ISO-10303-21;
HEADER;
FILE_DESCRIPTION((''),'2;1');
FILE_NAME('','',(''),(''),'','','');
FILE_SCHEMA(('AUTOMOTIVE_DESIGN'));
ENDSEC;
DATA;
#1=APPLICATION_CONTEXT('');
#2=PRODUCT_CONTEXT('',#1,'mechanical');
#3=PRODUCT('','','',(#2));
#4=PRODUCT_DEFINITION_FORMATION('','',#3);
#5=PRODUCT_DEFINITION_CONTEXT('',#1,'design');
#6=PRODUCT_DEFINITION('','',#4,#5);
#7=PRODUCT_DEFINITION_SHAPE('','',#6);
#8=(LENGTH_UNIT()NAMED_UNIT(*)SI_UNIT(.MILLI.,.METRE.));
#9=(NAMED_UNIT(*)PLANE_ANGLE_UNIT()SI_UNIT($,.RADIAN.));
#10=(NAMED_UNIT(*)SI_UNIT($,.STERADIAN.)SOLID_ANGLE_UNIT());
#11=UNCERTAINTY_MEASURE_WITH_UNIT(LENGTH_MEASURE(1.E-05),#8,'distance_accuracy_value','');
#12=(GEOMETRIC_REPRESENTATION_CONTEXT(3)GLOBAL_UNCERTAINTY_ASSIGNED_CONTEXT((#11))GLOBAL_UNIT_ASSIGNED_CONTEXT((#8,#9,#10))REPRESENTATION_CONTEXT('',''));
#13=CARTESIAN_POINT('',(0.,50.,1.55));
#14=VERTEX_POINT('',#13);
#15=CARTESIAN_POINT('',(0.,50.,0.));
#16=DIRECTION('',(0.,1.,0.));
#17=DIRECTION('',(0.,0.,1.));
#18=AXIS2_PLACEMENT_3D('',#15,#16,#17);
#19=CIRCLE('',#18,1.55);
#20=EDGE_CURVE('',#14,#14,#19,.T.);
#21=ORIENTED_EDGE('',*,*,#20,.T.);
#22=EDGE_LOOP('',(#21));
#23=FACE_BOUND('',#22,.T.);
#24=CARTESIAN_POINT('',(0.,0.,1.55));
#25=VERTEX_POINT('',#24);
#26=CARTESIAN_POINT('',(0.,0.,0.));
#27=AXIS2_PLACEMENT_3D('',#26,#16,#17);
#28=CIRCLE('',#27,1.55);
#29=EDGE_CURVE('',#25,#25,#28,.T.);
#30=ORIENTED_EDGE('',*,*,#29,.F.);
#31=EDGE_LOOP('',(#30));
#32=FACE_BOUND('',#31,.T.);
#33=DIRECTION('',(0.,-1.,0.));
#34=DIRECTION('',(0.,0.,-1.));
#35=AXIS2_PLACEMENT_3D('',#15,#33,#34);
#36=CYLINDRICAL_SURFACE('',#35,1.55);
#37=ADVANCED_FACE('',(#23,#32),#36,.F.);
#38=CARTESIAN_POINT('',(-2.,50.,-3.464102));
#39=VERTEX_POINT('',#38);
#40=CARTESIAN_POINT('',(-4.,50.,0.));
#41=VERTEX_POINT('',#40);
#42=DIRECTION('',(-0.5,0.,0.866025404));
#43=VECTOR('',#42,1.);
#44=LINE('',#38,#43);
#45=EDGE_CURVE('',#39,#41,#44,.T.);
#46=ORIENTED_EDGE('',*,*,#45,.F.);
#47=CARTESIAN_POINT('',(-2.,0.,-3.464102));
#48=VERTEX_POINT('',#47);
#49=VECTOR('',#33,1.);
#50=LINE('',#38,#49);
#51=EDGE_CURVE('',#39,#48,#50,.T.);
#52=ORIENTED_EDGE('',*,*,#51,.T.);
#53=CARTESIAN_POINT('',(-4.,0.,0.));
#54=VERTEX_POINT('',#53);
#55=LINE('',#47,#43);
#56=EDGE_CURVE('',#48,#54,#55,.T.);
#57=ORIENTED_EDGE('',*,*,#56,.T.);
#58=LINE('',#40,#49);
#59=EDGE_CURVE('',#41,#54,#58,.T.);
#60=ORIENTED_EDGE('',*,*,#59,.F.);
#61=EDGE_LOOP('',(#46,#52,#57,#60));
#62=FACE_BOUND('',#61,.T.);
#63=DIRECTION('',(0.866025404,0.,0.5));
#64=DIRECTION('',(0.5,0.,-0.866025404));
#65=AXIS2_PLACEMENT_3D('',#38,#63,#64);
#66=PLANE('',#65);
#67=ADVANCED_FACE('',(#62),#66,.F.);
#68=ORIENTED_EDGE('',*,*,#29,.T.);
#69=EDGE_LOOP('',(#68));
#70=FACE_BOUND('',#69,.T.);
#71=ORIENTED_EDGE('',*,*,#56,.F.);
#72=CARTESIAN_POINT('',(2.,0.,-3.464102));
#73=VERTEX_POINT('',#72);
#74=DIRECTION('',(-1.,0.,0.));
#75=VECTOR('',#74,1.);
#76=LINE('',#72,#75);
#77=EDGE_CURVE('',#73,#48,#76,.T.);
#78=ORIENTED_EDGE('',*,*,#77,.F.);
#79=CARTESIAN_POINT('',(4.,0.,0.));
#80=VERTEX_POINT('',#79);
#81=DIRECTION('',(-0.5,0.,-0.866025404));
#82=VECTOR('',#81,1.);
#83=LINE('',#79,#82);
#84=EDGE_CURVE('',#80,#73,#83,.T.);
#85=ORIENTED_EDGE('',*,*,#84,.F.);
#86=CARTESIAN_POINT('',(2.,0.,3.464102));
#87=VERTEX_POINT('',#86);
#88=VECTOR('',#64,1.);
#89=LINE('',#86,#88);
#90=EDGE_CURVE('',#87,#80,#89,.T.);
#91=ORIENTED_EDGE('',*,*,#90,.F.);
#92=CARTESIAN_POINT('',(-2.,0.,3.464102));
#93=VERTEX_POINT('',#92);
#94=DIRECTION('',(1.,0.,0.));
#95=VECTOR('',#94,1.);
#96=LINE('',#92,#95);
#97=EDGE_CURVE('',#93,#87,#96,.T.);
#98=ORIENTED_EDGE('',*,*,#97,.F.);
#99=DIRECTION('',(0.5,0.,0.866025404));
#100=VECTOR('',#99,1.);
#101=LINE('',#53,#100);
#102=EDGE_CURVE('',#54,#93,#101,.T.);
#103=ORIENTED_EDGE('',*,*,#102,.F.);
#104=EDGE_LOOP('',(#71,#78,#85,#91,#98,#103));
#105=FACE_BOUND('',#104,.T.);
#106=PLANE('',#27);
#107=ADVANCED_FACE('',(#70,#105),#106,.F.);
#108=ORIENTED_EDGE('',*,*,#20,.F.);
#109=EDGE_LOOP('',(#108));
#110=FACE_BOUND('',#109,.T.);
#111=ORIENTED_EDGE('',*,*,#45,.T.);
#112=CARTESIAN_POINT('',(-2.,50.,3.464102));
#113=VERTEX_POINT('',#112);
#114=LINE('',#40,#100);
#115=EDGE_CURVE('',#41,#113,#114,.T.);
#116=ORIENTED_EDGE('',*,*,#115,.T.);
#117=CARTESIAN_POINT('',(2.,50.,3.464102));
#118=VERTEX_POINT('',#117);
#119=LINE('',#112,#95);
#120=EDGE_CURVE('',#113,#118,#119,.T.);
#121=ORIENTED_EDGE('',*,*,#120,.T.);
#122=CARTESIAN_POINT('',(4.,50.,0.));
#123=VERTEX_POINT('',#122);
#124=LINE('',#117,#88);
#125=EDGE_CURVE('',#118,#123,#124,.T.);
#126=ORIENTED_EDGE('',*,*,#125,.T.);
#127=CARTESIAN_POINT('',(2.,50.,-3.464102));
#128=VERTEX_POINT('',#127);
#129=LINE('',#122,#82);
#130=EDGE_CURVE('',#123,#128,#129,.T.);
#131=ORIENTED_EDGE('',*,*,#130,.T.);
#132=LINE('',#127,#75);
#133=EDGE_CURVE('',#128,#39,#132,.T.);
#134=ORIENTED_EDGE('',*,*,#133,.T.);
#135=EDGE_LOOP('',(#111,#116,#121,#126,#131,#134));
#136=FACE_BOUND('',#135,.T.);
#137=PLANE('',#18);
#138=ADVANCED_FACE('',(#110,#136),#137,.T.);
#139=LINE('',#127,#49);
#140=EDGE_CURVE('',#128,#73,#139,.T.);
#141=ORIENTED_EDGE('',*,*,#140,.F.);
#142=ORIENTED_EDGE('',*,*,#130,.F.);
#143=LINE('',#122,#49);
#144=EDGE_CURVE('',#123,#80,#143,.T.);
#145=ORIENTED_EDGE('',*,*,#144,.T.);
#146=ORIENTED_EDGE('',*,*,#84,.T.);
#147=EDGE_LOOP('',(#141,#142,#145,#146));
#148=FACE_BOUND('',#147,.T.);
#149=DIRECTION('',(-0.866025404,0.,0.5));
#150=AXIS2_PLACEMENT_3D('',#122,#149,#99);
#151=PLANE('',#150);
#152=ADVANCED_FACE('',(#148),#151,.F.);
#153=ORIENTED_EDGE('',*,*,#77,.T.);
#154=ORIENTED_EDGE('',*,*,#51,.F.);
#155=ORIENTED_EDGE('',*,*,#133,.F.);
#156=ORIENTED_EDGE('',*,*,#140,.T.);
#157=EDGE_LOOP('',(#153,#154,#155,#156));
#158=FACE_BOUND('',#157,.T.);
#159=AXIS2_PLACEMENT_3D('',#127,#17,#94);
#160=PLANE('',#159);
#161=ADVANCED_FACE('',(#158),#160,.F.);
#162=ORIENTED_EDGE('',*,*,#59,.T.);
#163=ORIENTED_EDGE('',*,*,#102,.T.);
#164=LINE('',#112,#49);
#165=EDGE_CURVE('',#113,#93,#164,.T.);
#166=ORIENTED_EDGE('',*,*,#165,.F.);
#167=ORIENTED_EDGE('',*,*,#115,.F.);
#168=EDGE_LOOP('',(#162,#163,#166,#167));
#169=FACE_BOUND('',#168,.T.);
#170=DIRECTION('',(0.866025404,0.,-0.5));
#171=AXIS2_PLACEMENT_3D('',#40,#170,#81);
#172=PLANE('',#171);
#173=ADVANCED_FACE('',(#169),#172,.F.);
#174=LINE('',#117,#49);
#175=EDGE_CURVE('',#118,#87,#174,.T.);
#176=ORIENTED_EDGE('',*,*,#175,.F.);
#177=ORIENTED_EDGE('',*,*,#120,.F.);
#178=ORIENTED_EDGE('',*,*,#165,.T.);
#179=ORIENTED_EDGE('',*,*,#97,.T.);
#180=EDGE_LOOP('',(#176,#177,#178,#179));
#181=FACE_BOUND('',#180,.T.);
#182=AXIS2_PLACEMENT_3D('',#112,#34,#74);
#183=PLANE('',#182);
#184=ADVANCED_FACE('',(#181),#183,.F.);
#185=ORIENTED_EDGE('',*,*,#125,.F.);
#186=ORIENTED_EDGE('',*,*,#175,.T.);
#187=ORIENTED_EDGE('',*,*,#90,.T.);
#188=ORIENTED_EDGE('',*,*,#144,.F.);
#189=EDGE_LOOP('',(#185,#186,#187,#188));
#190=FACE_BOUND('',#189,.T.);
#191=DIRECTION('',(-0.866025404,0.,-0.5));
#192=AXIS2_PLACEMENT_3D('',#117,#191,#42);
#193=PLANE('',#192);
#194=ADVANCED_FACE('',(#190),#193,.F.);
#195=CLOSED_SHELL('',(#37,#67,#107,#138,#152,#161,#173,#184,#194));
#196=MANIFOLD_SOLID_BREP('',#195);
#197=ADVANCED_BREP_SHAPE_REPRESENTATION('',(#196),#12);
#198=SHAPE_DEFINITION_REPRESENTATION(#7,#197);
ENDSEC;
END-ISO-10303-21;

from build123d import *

# Parameters (mm, degrees)
SKETCH_1_R      = 1.55
EXTRUDE_1_DEPTH = 50


with BuildPart() as part:
    # 草圖1 → 填料-伸長1 (new body)
    with BuildSketch(Plane(origin=(0, 0, 0), x_dir=(1, 0, 0), z_dir=(0, 1, 0))):
        Polygon((2, 3.464101615), (-2, 3.464101615), (-4, 0), (-2, -3.464101615), (2, -3.464101615), (4, 0), align=None)
        with Locations(Location((0, 0, 0), (0, 0, 270))):
            Circle(SKETCH_1_R, mode=Mode.SUBTRACT)
    extrude(amount=EXTRUDE_1_DEPTH)


solid = part.part
